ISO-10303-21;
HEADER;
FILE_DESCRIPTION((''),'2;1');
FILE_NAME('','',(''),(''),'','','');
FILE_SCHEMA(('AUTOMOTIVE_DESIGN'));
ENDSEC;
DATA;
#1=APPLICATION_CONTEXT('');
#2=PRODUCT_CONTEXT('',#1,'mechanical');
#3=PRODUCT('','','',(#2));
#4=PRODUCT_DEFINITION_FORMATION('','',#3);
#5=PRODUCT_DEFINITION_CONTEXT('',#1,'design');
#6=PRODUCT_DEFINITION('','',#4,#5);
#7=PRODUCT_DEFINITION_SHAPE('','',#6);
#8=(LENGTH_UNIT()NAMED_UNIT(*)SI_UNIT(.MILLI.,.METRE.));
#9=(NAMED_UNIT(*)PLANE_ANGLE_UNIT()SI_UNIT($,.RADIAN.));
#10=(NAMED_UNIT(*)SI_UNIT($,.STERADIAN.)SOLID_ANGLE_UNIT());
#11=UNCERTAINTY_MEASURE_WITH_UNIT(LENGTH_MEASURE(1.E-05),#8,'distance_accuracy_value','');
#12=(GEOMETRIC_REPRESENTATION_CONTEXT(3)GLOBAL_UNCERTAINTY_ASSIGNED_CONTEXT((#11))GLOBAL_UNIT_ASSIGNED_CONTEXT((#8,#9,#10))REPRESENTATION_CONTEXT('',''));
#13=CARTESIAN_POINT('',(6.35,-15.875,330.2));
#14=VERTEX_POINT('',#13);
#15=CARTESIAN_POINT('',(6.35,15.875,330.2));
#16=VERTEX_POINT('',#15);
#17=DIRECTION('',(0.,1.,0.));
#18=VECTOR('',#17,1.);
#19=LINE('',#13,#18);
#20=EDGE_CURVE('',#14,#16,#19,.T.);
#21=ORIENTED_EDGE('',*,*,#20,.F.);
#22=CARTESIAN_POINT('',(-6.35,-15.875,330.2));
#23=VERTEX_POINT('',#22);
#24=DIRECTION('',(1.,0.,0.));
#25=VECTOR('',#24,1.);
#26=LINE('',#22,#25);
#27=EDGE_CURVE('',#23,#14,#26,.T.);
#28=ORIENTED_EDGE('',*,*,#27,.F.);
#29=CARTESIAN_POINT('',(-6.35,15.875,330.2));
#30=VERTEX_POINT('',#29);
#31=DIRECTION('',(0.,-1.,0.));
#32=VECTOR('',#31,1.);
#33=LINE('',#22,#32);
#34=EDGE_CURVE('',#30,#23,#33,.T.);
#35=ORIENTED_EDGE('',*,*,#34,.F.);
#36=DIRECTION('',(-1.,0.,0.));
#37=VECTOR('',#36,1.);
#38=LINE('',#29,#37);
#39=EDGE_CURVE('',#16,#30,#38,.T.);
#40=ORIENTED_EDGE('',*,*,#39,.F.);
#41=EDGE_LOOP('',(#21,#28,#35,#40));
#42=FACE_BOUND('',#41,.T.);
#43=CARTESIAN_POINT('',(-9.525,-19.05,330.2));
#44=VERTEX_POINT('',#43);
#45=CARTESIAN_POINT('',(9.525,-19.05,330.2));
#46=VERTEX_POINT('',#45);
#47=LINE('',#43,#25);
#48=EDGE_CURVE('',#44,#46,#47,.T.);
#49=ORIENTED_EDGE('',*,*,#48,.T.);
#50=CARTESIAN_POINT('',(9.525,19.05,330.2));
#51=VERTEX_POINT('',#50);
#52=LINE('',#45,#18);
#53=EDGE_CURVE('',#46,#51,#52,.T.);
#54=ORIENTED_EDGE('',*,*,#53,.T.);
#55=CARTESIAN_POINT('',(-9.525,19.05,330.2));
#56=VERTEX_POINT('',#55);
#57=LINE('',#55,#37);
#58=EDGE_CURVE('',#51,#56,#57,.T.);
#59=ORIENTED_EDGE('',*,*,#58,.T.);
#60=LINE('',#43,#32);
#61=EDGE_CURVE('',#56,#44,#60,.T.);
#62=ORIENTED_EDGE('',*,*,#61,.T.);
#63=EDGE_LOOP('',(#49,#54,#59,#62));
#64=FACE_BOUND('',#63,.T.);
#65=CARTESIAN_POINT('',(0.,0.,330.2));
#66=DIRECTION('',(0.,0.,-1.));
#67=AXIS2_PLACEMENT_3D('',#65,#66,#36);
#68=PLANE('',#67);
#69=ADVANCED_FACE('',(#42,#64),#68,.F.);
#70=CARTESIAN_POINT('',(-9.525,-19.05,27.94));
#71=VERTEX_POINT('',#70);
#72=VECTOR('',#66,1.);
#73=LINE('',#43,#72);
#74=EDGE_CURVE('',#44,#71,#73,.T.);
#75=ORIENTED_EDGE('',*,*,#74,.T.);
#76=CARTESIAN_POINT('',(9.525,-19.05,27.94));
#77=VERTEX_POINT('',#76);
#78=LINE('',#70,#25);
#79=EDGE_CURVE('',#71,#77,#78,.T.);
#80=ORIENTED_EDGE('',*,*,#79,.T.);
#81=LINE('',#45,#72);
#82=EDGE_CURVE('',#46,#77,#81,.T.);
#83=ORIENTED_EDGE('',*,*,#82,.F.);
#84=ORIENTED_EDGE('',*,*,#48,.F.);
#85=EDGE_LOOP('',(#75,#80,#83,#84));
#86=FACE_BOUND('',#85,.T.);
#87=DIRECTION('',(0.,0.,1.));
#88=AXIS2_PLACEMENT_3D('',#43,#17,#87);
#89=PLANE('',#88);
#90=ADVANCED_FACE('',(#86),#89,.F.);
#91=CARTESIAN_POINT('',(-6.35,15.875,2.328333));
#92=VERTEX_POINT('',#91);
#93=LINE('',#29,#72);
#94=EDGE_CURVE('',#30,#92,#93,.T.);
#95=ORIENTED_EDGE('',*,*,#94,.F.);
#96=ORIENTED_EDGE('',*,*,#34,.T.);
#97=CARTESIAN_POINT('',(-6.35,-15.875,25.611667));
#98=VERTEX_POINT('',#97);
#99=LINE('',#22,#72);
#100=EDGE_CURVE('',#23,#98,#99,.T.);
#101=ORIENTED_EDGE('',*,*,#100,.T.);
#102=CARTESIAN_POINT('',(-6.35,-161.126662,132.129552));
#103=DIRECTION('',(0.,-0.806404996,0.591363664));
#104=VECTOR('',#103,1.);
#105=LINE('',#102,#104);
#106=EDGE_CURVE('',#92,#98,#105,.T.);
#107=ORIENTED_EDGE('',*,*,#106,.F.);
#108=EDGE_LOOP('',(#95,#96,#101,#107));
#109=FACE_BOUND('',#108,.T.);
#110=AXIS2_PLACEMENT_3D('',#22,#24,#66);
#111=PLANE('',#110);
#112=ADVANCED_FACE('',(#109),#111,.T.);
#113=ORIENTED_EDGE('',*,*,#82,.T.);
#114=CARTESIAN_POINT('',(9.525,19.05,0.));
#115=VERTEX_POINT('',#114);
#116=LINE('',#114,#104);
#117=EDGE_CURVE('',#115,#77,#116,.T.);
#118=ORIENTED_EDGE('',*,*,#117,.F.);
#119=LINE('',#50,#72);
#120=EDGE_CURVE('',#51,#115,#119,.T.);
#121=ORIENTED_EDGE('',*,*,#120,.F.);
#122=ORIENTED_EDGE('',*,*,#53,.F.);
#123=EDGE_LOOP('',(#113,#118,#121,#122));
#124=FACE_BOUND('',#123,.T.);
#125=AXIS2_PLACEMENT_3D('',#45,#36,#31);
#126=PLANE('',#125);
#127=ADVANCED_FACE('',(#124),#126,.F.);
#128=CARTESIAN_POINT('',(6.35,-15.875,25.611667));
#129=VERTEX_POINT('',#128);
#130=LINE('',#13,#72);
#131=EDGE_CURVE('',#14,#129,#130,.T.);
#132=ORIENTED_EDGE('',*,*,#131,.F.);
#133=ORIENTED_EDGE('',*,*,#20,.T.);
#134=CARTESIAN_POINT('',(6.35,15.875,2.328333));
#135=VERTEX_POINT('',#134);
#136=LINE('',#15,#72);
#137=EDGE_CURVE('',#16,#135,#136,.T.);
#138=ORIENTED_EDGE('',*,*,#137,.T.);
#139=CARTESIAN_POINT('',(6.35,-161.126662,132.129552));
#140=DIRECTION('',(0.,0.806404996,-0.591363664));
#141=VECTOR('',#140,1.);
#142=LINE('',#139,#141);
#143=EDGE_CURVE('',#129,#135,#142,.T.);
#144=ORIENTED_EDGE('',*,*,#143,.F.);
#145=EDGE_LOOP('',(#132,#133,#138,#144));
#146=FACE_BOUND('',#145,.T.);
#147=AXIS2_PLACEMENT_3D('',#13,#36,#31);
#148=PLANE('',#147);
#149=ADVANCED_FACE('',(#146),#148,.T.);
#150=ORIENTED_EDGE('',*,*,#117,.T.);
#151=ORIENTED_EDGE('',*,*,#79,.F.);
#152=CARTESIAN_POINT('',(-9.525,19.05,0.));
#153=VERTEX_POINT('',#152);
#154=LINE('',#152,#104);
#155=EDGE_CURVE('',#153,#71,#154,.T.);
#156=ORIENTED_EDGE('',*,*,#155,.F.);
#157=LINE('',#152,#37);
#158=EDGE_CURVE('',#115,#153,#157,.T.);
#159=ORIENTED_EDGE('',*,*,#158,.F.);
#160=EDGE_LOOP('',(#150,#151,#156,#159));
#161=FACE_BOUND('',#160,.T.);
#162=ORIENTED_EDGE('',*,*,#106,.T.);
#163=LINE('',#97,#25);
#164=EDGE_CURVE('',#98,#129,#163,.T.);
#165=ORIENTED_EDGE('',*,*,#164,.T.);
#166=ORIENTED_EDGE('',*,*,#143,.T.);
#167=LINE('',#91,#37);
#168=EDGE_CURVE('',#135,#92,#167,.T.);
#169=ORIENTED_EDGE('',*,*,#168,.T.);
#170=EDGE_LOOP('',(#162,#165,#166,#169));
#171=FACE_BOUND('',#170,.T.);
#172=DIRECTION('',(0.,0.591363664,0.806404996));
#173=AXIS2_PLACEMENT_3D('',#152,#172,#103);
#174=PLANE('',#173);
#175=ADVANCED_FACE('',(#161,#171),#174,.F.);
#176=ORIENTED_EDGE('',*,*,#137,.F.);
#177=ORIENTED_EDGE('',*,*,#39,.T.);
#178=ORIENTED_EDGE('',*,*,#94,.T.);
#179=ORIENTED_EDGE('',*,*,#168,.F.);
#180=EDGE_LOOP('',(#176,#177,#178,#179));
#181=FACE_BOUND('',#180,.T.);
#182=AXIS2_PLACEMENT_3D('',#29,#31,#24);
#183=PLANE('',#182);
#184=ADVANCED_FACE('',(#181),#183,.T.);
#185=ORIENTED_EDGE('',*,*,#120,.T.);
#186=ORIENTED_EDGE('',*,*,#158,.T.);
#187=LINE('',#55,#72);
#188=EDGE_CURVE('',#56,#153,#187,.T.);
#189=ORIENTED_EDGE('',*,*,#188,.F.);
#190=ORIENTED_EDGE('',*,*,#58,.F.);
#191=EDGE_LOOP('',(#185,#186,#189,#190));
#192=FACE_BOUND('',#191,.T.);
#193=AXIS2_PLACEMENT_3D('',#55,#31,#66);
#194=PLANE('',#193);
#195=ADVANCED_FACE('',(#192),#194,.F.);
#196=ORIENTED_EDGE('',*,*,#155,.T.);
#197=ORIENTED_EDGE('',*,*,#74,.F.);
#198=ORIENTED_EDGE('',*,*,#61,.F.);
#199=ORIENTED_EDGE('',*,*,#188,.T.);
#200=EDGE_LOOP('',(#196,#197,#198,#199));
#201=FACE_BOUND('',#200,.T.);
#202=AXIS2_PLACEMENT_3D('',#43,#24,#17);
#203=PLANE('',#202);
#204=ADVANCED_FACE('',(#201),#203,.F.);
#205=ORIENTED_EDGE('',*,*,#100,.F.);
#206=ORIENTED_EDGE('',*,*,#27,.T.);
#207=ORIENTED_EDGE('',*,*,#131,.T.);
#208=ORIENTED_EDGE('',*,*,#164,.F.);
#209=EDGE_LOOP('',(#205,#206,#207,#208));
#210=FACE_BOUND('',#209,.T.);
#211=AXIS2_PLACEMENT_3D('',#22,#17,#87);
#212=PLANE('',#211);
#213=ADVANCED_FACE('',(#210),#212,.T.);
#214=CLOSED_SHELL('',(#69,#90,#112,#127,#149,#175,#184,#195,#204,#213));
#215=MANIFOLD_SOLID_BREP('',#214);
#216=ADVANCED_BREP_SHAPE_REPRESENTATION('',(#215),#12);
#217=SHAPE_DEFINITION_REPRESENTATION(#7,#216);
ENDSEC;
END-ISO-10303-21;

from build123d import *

# Parameters (mm, degrees)
SKETCH1_W           = 19.05
SKETCH1_H           = 38.1
SKETCH1_W_2         = 12.7
SKETCH1_H_2         = 31.75
BOSS_EXTRUDE1_DEPTH = 330.2
CUT_EXTRUDE1_DEPTH  = 332.297215503


with BuildPart() as part:
    # Sketch1 → Boss-Extrude1 (new body)
    with BuildSketch(Plane.XY):
        Rectangle(SKETCH1_W, SKETCH1_H)
        Rectangle(SKETCH1_W_2, SKETCH1_H_2, mode=Mode.SUBTRACT)
    extrude(amount=BOSS_EXTRUDE1_DEPTH)

    # Sketch2 → Cut-Extrude1 (cut, through all)
    with BuildSketch(Plane(origin=(9.525, 0, 0), x_dir=(0, 0, -1), z_dir=(1, 0, 0))):
        Polygon((0, 19.05), (-27.94, -19.05), (0, -19.05), align=None)
    extrude(amount=-CUT_EXTRUDE1_DEPTH, mode=Mode.SUBTRACT)


solid = part.part
